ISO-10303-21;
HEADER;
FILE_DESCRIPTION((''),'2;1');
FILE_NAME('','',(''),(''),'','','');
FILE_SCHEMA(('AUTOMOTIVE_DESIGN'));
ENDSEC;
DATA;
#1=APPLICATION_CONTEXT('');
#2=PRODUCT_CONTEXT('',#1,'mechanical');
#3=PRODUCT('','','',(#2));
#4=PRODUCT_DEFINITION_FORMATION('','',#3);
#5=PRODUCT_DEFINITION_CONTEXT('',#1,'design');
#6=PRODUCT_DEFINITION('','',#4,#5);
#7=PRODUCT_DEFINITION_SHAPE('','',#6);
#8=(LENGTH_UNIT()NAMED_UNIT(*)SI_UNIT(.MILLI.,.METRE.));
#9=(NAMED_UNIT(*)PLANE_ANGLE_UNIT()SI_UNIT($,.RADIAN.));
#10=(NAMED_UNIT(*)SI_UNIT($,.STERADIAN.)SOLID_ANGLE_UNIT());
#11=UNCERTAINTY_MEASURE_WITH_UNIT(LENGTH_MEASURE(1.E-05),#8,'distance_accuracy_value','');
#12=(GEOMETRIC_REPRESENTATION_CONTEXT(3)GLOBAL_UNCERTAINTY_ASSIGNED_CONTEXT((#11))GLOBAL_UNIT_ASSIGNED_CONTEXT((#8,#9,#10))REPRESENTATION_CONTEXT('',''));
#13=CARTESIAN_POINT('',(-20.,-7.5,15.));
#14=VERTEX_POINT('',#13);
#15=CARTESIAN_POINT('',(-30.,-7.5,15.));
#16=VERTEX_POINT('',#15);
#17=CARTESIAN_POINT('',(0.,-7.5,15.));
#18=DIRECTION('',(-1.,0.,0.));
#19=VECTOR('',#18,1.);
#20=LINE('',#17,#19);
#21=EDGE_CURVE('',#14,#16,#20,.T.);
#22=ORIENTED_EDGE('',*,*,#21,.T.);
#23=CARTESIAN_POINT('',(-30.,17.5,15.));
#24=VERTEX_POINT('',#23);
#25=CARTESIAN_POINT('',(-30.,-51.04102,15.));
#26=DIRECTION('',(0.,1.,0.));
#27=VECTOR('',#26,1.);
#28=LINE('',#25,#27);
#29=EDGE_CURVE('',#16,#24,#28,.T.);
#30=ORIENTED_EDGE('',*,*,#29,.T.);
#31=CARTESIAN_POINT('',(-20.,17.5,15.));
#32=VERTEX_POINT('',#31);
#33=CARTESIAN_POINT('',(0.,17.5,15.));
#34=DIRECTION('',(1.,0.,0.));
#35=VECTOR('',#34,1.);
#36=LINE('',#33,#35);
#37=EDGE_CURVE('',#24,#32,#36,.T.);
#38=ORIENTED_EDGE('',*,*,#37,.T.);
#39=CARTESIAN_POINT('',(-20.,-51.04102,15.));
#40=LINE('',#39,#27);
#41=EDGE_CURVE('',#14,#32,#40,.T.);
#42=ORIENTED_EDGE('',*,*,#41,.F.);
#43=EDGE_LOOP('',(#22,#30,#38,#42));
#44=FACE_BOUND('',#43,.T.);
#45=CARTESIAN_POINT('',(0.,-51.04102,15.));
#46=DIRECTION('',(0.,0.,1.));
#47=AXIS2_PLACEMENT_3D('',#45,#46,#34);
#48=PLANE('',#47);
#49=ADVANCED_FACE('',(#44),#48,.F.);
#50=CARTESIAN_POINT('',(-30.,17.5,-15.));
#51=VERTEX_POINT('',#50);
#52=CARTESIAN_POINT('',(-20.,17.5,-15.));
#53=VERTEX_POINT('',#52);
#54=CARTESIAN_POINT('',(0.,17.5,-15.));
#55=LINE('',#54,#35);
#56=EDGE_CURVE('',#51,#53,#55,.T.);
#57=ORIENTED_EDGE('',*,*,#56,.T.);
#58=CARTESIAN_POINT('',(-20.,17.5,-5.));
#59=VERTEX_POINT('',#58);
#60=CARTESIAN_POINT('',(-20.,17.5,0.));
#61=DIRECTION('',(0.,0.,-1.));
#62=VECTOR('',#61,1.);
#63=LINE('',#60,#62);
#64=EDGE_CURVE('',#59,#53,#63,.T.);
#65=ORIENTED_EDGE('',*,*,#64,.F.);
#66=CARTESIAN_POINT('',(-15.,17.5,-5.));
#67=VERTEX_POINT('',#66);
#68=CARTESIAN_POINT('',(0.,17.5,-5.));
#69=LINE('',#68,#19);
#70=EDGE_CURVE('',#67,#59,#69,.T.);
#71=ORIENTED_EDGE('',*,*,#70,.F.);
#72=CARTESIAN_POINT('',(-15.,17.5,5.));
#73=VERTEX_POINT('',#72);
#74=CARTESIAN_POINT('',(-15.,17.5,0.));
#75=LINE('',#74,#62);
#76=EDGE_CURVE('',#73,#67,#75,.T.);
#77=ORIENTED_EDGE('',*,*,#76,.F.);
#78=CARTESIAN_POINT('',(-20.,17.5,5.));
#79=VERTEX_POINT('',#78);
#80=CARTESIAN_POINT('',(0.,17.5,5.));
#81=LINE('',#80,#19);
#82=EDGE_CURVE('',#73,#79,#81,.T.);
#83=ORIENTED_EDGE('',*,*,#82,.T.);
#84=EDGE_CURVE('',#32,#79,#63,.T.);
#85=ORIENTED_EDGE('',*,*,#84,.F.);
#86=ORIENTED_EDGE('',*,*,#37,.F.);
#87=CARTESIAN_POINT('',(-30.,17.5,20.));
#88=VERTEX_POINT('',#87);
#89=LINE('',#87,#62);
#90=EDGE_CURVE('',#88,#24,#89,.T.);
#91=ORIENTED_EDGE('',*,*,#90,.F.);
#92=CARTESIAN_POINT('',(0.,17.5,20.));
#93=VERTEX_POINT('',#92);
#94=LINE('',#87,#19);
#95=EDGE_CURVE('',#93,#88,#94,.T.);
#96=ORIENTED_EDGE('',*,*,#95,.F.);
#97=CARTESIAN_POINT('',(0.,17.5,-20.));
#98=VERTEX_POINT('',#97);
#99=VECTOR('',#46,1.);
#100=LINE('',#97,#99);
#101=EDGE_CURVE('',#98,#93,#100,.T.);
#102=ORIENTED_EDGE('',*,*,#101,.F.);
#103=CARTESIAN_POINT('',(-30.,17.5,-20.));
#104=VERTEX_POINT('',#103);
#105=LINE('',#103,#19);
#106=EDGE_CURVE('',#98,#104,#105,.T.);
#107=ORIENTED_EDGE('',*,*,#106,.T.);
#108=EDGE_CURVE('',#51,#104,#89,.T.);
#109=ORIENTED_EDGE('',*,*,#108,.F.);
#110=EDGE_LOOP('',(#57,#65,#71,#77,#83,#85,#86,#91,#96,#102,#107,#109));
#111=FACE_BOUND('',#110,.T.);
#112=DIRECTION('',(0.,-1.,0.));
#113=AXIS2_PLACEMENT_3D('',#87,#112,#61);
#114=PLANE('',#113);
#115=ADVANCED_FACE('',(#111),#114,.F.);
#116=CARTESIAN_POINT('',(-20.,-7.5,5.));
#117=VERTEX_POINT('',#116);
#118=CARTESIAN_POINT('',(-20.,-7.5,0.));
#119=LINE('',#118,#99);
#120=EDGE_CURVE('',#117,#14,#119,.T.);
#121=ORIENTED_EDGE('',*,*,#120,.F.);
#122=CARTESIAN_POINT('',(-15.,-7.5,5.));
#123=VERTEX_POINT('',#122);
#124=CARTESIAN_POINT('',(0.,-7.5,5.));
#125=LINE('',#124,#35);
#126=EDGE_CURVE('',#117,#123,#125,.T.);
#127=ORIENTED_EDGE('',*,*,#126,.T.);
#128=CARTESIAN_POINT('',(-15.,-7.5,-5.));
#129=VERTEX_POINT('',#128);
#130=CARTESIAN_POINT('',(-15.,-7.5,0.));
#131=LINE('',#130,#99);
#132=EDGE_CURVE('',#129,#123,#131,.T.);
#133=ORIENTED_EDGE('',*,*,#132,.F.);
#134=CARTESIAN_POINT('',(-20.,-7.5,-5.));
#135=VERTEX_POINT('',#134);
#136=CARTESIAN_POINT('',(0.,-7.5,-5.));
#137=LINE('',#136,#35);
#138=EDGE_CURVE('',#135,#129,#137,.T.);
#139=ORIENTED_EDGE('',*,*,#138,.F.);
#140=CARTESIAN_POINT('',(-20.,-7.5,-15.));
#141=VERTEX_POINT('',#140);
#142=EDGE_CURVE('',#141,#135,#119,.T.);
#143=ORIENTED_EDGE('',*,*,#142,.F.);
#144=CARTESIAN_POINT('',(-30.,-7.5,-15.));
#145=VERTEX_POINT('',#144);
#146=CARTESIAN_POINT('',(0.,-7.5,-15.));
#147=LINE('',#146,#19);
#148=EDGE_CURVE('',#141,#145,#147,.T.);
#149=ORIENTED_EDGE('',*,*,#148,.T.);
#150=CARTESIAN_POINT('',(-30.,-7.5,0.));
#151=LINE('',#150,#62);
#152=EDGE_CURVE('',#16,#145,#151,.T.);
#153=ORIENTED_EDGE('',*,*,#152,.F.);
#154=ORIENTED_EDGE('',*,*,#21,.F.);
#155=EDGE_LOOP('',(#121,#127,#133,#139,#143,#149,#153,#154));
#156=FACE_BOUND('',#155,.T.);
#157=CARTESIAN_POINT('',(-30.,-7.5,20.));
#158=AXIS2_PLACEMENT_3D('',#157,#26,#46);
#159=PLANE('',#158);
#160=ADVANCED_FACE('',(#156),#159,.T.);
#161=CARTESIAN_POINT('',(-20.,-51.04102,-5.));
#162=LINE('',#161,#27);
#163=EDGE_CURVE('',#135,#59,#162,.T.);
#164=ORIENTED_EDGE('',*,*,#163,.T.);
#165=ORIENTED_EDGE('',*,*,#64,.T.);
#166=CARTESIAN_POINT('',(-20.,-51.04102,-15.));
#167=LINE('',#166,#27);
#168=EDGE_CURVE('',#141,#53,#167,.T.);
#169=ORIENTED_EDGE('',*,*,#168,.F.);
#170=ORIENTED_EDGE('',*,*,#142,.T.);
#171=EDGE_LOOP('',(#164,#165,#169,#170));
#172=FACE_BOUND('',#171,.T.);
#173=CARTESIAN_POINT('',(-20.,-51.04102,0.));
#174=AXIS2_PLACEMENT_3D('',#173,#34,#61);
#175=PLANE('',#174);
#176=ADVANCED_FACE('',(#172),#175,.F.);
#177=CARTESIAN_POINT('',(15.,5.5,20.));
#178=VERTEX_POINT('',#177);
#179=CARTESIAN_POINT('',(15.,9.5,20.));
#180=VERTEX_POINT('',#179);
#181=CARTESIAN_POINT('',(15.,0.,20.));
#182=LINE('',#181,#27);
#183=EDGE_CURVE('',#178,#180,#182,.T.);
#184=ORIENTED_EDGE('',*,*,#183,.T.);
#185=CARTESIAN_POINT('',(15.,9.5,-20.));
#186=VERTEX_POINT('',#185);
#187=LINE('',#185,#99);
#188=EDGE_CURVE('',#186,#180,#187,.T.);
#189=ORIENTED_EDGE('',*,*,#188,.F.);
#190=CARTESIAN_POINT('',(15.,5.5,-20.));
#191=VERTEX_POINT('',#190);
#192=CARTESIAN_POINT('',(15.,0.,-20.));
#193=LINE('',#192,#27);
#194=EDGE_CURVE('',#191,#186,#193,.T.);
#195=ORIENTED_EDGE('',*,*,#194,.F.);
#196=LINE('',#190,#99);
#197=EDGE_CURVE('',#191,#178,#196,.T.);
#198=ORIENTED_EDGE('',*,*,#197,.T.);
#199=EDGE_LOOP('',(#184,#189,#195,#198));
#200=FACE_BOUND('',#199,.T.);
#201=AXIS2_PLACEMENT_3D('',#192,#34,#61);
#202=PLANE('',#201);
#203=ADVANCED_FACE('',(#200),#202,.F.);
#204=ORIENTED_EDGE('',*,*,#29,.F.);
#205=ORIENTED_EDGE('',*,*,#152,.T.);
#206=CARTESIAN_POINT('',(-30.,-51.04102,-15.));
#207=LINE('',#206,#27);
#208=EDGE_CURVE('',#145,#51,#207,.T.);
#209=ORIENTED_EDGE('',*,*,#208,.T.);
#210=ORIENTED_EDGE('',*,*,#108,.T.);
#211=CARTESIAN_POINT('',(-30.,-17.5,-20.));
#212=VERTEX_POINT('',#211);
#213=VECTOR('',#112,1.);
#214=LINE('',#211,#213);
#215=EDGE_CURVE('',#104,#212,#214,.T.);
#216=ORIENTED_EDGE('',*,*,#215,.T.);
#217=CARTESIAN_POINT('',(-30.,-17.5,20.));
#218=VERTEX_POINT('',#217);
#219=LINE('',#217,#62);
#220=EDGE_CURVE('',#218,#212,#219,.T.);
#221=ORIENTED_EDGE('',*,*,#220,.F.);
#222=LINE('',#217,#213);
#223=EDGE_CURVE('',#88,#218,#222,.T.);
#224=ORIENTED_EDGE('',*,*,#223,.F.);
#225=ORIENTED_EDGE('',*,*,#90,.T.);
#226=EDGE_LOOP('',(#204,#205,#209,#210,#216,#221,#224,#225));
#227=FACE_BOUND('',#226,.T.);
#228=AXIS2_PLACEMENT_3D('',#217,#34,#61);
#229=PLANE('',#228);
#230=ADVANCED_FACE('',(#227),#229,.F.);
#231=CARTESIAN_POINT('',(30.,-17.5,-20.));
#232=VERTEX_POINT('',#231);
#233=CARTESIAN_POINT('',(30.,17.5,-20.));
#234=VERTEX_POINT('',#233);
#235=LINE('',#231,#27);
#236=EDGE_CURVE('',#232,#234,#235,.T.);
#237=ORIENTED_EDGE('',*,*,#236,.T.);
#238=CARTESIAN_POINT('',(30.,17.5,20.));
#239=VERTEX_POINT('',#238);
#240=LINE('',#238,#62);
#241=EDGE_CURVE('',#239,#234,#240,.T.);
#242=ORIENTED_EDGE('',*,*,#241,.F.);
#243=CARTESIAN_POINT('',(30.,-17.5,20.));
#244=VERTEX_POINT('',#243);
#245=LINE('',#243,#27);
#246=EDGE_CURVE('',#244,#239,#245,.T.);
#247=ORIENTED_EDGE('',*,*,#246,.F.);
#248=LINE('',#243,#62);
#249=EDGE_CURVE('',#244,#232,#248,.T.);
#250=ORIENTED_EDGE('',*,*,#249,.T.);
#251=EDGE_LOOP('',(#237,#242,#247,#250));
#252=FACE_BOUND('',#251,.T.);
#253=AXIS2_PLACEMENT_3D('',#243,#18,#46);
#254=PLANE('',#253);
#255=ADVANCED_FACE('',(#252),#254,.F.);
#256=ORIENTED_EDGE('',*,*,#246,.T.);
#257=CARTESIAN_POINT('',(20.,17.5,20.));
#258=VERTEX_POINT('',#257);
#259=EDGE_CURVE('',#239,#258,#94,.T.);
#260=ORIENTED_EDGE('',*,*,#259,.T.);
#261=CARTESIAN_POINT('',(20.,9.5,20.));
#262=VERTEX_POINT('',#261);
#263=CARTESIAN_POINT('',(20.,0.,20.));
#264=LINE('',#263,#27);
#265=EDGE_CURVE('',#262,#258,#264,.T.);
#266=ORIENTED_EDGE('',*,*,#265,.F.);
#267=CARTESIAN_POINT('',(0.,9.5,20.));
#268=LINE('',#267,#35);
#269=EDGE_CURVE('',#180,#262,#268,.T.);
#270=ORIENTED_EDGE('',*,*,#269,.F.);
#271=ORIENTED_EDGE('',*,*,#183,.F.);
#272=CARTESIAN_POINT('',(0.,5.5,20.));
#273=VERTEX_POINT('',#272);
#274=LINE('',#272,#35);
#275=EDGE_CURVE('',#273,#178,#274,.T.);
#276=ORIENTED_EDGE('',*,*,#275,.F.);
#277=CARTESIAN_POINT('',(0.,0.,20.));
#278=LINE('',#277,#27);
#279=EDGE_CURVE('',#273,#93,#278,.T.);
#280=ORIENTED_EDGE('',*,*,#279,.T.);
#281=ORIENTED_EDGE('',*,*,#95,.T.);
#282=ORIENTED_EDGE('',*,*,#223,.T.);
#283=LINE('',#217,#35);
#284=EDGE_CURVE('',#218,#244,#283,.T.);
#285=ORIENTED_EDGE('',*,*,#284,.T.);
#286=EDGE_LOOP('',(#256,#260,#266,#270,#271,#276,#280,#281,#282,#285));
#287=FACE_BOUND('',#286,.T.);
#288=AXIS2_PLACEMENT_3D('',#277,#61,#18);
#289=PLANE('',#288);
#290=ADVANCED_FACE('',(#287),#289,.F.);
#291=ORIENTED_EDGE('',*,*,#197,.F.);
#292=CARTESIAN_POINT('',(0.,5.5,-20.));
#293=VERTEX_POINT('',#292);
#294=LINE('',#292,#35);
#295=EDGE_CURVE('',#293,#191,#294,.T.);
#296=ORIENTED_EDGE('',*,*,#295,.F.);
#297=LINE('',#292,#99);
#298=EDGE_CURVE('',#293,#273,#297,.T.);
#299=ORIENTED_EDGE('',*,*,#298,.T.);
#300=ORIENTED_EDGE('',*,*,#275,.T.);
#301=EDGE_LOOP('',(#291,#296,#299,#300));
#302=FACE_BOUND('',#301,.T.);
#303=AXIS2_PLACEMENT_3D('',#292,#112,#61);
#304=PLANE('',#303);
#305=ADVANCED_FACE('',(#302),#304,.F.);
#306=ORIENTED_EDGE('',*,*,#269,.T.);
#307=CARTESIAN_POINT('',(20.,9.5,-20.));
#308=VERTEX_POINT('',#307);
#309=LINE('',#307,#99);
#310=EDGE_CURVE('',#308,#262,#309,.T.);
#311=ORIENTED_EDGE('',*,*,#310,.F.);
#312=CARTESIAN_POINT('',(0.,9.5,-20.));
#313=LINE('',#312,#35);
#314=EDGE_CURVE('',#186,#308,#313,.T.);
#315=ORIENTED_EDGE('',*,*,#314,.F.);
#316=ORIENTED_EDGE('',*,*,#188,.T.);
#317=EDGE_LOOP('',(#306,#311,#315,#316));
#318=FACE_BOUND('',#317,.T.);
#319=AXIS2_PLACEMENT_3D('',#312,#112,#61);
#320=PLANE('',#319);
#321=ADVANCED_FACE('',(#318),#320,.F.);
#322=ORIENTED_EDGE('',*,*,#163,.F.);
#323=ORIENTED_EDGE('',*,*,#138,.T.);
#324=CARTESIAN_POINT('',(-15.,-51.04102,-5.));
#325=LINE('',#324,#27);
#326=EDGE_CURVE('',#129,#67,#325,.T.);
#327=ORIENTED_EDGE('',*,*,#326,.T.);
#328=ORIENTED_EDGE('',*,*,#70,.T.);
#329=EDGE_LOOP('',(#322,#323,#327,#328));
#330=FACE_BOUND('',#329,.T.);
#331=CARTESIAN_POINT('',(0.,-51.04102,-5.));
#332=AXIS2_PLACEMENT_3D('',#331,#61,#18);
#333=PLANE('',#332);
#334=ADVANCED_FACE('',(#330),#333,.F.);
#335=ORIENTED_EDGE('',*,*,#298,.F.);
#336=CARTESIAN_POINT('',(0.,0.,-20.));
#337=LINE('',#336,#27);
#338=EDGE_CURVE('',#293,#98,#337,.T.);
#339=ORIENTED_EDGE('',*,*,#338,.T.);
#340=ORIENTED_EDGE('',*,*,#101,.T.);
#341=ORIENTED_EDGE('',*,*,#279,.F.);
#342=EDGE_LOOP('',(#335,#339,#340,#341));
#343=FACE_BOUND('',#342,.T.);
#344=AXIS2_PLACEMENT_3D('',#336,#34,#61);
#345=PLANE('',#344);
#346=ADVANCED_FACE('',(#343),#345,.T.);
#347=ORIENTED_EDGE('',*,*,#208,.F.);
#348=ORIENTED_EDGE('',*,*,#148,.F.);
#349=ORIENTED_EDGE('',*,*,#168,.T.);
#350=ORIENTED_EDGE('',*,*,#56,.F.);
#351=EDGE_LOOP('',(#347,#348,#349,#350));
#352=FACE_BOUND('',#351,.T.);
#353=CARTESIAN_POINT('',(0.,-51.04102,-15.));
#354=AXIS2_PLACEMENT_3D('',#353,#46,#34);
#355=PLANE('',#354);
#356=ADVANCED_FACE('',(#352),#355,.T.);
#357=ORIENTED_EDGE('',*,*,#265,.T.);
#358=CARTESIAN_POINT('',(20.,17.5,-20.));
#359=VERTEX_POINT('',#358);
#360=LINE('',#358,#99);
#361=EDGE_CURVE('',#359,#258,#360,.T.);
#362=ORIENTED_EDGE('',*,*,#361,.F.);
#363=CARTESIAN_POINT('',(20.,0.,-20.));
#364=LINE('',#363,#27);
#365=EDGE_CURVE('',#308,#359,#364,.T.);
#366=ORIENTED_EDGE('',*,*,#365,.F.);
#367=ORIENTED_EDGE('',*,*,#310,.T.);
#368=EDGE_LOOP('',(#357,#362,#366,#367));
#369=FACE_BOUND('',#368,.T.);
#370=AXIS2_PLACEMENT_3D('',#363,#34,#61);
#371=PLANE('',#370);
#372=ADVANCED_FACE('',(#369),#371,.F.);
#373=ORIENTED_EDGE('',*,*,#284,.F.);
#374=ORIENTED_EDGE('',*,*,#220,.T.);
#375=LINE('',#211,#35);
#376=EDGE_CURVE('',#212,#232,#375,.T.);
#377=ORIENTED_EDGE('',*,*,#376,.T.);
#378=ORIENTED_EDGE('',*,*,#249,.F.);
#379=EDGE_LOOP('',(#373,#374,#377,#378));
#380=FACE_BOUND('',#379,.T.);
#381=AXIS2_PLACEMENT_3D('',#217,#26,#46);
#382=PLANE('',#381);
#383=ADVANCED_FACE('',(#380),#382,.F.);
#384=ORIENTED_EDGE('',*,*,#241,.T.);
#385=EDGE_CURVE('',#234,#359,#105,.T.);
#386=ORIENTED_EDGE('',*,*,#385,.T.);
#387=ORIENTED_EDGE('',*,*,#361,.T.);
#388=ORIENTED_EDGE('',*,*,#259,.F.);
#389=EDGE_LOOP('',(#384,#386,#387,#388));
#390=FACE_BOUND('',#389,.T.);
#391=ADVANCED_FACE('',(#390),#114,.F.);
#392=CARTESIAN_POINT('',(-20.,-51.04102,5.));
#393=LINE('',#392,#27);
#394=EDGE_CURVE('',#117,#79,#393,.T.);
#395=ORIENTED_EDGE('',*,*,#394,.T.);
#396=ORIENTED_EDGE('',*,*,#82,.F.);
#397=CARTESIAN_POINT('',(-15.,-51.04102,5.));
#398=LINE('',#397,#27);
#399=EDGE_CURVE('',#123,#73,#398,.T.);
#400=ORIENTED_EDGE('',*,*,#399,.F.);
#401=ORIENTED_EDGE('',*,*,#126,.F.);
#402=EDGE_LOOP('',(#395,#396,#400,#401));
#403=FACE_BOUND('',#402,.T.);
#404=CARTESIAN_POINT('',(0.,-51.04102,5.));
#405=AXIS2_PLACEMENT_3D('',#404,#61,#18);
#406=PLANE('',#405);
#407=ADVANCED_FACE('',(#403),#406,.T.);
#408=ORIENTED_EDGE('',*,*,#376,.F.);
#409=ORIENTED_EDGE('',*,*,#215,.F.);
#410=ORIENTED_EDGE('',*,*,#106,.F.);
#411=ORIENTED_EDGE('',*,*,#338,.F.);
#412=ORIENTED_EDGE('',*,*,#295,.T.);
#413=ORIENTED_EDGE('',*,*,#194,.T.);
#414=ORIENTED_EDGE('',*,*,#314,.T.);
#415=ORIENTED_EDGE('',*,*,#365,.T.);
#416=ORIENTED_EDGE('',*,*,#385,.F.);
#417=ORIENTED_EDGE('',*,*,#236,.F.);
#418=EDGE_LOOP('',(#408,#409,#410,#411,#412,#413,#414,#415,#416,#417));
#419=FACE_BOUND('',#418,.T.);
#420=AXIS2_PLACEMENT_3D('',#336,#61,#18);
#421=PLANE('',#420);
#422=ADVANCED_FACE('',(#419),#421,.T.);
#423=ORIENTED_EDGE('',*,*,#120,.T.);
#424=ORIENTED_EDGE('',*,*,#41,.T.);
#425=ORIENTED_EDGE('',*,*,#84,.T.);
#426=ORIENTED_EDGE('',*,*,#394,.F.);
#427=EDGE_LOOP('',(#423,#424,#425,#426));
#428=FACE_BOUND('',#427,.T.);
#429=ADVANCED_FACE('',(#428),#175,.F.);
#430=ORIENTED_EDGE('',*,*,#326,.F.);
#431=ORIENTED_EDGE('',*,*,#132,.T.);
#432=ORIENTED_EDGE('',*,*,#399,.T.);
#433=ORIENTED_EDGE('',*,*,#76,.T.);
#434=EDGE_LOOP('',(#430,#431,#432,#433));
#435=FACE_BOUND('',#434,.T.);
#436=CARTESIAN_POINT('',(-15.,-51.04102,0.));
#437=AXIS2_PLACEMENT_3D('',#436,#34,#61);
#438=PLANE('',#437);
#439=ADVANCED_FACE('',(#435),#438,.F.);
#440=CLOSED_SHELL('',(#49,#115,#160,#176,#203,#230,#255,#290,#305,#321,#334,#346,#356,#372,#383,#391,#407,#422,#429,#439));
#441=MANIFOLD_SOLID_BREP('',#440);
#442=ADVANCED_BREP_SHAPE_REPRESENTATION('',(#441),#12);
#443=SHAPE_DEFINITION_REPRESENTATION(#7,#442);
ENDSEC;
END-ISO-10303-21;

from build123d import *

# Parameters (mm, degrees)
SKETCH_1_W          = 60
SKETCH_1_H          = 35
EXTRUDE_1_DEPTH     = 20
SKETCH_2_W          = 5
SKETCH_2_H          = 10
CUT_EXTRUDE_1_DEPTH = 25
SKETCH_3_W          = 5
SKETCH_3_H          = 8
CUT_EXTRUDE_2_DEPTH = 53.974050251


with BuildPart() as part:
    # Эскиз1 → Бобышка-Вытянуть1 (new, symmetric)
    with BuildSketch(Plane.XY):
        Rectangle(SKETCH_1_W, SKETCH_1_H)
    extrude(amount=EXTRUDE_1_DEPTH, both=True)

    # Эскиз2 → Вырез-Вытянуть1 (cut)
    with BuildSketch(Plane(origin=(0, 17.5, 0), x_dir=(1, 0, 0), z_dir=(0, 1, 0))):
        Polygon((-30, 15), (-30, -15), (-20, -15), (-20, -5), (-20, 5), (-20, 15), align=None)
        with Locations((-17.5, 0)):
            Rectangle(SKETCH_2_W, SKETCH_2_H)
    extrude(amount=-CUT_EXTRUDE_1_DEPTH, mode=Mode.SUBTRACT)

    # Эскиз3 → Вырез-Вытянуть2 (cut, through all)
    with BuildSketch(Plane.XY.offset(20)):
        Polygon((0, 17.5), (0, 5.5), (15, 5.5), (15, 9.5), (15, 17.5), align=None)
        with Locations((17.5, 13.5)):
            Rectangle(SKETCH_3_W, SKETCH_3_H)
    extrude(amount=-CUT_EXTRUDE_2_DEPTH, mode=Mode.SUBTRACT)


solid = part.part
